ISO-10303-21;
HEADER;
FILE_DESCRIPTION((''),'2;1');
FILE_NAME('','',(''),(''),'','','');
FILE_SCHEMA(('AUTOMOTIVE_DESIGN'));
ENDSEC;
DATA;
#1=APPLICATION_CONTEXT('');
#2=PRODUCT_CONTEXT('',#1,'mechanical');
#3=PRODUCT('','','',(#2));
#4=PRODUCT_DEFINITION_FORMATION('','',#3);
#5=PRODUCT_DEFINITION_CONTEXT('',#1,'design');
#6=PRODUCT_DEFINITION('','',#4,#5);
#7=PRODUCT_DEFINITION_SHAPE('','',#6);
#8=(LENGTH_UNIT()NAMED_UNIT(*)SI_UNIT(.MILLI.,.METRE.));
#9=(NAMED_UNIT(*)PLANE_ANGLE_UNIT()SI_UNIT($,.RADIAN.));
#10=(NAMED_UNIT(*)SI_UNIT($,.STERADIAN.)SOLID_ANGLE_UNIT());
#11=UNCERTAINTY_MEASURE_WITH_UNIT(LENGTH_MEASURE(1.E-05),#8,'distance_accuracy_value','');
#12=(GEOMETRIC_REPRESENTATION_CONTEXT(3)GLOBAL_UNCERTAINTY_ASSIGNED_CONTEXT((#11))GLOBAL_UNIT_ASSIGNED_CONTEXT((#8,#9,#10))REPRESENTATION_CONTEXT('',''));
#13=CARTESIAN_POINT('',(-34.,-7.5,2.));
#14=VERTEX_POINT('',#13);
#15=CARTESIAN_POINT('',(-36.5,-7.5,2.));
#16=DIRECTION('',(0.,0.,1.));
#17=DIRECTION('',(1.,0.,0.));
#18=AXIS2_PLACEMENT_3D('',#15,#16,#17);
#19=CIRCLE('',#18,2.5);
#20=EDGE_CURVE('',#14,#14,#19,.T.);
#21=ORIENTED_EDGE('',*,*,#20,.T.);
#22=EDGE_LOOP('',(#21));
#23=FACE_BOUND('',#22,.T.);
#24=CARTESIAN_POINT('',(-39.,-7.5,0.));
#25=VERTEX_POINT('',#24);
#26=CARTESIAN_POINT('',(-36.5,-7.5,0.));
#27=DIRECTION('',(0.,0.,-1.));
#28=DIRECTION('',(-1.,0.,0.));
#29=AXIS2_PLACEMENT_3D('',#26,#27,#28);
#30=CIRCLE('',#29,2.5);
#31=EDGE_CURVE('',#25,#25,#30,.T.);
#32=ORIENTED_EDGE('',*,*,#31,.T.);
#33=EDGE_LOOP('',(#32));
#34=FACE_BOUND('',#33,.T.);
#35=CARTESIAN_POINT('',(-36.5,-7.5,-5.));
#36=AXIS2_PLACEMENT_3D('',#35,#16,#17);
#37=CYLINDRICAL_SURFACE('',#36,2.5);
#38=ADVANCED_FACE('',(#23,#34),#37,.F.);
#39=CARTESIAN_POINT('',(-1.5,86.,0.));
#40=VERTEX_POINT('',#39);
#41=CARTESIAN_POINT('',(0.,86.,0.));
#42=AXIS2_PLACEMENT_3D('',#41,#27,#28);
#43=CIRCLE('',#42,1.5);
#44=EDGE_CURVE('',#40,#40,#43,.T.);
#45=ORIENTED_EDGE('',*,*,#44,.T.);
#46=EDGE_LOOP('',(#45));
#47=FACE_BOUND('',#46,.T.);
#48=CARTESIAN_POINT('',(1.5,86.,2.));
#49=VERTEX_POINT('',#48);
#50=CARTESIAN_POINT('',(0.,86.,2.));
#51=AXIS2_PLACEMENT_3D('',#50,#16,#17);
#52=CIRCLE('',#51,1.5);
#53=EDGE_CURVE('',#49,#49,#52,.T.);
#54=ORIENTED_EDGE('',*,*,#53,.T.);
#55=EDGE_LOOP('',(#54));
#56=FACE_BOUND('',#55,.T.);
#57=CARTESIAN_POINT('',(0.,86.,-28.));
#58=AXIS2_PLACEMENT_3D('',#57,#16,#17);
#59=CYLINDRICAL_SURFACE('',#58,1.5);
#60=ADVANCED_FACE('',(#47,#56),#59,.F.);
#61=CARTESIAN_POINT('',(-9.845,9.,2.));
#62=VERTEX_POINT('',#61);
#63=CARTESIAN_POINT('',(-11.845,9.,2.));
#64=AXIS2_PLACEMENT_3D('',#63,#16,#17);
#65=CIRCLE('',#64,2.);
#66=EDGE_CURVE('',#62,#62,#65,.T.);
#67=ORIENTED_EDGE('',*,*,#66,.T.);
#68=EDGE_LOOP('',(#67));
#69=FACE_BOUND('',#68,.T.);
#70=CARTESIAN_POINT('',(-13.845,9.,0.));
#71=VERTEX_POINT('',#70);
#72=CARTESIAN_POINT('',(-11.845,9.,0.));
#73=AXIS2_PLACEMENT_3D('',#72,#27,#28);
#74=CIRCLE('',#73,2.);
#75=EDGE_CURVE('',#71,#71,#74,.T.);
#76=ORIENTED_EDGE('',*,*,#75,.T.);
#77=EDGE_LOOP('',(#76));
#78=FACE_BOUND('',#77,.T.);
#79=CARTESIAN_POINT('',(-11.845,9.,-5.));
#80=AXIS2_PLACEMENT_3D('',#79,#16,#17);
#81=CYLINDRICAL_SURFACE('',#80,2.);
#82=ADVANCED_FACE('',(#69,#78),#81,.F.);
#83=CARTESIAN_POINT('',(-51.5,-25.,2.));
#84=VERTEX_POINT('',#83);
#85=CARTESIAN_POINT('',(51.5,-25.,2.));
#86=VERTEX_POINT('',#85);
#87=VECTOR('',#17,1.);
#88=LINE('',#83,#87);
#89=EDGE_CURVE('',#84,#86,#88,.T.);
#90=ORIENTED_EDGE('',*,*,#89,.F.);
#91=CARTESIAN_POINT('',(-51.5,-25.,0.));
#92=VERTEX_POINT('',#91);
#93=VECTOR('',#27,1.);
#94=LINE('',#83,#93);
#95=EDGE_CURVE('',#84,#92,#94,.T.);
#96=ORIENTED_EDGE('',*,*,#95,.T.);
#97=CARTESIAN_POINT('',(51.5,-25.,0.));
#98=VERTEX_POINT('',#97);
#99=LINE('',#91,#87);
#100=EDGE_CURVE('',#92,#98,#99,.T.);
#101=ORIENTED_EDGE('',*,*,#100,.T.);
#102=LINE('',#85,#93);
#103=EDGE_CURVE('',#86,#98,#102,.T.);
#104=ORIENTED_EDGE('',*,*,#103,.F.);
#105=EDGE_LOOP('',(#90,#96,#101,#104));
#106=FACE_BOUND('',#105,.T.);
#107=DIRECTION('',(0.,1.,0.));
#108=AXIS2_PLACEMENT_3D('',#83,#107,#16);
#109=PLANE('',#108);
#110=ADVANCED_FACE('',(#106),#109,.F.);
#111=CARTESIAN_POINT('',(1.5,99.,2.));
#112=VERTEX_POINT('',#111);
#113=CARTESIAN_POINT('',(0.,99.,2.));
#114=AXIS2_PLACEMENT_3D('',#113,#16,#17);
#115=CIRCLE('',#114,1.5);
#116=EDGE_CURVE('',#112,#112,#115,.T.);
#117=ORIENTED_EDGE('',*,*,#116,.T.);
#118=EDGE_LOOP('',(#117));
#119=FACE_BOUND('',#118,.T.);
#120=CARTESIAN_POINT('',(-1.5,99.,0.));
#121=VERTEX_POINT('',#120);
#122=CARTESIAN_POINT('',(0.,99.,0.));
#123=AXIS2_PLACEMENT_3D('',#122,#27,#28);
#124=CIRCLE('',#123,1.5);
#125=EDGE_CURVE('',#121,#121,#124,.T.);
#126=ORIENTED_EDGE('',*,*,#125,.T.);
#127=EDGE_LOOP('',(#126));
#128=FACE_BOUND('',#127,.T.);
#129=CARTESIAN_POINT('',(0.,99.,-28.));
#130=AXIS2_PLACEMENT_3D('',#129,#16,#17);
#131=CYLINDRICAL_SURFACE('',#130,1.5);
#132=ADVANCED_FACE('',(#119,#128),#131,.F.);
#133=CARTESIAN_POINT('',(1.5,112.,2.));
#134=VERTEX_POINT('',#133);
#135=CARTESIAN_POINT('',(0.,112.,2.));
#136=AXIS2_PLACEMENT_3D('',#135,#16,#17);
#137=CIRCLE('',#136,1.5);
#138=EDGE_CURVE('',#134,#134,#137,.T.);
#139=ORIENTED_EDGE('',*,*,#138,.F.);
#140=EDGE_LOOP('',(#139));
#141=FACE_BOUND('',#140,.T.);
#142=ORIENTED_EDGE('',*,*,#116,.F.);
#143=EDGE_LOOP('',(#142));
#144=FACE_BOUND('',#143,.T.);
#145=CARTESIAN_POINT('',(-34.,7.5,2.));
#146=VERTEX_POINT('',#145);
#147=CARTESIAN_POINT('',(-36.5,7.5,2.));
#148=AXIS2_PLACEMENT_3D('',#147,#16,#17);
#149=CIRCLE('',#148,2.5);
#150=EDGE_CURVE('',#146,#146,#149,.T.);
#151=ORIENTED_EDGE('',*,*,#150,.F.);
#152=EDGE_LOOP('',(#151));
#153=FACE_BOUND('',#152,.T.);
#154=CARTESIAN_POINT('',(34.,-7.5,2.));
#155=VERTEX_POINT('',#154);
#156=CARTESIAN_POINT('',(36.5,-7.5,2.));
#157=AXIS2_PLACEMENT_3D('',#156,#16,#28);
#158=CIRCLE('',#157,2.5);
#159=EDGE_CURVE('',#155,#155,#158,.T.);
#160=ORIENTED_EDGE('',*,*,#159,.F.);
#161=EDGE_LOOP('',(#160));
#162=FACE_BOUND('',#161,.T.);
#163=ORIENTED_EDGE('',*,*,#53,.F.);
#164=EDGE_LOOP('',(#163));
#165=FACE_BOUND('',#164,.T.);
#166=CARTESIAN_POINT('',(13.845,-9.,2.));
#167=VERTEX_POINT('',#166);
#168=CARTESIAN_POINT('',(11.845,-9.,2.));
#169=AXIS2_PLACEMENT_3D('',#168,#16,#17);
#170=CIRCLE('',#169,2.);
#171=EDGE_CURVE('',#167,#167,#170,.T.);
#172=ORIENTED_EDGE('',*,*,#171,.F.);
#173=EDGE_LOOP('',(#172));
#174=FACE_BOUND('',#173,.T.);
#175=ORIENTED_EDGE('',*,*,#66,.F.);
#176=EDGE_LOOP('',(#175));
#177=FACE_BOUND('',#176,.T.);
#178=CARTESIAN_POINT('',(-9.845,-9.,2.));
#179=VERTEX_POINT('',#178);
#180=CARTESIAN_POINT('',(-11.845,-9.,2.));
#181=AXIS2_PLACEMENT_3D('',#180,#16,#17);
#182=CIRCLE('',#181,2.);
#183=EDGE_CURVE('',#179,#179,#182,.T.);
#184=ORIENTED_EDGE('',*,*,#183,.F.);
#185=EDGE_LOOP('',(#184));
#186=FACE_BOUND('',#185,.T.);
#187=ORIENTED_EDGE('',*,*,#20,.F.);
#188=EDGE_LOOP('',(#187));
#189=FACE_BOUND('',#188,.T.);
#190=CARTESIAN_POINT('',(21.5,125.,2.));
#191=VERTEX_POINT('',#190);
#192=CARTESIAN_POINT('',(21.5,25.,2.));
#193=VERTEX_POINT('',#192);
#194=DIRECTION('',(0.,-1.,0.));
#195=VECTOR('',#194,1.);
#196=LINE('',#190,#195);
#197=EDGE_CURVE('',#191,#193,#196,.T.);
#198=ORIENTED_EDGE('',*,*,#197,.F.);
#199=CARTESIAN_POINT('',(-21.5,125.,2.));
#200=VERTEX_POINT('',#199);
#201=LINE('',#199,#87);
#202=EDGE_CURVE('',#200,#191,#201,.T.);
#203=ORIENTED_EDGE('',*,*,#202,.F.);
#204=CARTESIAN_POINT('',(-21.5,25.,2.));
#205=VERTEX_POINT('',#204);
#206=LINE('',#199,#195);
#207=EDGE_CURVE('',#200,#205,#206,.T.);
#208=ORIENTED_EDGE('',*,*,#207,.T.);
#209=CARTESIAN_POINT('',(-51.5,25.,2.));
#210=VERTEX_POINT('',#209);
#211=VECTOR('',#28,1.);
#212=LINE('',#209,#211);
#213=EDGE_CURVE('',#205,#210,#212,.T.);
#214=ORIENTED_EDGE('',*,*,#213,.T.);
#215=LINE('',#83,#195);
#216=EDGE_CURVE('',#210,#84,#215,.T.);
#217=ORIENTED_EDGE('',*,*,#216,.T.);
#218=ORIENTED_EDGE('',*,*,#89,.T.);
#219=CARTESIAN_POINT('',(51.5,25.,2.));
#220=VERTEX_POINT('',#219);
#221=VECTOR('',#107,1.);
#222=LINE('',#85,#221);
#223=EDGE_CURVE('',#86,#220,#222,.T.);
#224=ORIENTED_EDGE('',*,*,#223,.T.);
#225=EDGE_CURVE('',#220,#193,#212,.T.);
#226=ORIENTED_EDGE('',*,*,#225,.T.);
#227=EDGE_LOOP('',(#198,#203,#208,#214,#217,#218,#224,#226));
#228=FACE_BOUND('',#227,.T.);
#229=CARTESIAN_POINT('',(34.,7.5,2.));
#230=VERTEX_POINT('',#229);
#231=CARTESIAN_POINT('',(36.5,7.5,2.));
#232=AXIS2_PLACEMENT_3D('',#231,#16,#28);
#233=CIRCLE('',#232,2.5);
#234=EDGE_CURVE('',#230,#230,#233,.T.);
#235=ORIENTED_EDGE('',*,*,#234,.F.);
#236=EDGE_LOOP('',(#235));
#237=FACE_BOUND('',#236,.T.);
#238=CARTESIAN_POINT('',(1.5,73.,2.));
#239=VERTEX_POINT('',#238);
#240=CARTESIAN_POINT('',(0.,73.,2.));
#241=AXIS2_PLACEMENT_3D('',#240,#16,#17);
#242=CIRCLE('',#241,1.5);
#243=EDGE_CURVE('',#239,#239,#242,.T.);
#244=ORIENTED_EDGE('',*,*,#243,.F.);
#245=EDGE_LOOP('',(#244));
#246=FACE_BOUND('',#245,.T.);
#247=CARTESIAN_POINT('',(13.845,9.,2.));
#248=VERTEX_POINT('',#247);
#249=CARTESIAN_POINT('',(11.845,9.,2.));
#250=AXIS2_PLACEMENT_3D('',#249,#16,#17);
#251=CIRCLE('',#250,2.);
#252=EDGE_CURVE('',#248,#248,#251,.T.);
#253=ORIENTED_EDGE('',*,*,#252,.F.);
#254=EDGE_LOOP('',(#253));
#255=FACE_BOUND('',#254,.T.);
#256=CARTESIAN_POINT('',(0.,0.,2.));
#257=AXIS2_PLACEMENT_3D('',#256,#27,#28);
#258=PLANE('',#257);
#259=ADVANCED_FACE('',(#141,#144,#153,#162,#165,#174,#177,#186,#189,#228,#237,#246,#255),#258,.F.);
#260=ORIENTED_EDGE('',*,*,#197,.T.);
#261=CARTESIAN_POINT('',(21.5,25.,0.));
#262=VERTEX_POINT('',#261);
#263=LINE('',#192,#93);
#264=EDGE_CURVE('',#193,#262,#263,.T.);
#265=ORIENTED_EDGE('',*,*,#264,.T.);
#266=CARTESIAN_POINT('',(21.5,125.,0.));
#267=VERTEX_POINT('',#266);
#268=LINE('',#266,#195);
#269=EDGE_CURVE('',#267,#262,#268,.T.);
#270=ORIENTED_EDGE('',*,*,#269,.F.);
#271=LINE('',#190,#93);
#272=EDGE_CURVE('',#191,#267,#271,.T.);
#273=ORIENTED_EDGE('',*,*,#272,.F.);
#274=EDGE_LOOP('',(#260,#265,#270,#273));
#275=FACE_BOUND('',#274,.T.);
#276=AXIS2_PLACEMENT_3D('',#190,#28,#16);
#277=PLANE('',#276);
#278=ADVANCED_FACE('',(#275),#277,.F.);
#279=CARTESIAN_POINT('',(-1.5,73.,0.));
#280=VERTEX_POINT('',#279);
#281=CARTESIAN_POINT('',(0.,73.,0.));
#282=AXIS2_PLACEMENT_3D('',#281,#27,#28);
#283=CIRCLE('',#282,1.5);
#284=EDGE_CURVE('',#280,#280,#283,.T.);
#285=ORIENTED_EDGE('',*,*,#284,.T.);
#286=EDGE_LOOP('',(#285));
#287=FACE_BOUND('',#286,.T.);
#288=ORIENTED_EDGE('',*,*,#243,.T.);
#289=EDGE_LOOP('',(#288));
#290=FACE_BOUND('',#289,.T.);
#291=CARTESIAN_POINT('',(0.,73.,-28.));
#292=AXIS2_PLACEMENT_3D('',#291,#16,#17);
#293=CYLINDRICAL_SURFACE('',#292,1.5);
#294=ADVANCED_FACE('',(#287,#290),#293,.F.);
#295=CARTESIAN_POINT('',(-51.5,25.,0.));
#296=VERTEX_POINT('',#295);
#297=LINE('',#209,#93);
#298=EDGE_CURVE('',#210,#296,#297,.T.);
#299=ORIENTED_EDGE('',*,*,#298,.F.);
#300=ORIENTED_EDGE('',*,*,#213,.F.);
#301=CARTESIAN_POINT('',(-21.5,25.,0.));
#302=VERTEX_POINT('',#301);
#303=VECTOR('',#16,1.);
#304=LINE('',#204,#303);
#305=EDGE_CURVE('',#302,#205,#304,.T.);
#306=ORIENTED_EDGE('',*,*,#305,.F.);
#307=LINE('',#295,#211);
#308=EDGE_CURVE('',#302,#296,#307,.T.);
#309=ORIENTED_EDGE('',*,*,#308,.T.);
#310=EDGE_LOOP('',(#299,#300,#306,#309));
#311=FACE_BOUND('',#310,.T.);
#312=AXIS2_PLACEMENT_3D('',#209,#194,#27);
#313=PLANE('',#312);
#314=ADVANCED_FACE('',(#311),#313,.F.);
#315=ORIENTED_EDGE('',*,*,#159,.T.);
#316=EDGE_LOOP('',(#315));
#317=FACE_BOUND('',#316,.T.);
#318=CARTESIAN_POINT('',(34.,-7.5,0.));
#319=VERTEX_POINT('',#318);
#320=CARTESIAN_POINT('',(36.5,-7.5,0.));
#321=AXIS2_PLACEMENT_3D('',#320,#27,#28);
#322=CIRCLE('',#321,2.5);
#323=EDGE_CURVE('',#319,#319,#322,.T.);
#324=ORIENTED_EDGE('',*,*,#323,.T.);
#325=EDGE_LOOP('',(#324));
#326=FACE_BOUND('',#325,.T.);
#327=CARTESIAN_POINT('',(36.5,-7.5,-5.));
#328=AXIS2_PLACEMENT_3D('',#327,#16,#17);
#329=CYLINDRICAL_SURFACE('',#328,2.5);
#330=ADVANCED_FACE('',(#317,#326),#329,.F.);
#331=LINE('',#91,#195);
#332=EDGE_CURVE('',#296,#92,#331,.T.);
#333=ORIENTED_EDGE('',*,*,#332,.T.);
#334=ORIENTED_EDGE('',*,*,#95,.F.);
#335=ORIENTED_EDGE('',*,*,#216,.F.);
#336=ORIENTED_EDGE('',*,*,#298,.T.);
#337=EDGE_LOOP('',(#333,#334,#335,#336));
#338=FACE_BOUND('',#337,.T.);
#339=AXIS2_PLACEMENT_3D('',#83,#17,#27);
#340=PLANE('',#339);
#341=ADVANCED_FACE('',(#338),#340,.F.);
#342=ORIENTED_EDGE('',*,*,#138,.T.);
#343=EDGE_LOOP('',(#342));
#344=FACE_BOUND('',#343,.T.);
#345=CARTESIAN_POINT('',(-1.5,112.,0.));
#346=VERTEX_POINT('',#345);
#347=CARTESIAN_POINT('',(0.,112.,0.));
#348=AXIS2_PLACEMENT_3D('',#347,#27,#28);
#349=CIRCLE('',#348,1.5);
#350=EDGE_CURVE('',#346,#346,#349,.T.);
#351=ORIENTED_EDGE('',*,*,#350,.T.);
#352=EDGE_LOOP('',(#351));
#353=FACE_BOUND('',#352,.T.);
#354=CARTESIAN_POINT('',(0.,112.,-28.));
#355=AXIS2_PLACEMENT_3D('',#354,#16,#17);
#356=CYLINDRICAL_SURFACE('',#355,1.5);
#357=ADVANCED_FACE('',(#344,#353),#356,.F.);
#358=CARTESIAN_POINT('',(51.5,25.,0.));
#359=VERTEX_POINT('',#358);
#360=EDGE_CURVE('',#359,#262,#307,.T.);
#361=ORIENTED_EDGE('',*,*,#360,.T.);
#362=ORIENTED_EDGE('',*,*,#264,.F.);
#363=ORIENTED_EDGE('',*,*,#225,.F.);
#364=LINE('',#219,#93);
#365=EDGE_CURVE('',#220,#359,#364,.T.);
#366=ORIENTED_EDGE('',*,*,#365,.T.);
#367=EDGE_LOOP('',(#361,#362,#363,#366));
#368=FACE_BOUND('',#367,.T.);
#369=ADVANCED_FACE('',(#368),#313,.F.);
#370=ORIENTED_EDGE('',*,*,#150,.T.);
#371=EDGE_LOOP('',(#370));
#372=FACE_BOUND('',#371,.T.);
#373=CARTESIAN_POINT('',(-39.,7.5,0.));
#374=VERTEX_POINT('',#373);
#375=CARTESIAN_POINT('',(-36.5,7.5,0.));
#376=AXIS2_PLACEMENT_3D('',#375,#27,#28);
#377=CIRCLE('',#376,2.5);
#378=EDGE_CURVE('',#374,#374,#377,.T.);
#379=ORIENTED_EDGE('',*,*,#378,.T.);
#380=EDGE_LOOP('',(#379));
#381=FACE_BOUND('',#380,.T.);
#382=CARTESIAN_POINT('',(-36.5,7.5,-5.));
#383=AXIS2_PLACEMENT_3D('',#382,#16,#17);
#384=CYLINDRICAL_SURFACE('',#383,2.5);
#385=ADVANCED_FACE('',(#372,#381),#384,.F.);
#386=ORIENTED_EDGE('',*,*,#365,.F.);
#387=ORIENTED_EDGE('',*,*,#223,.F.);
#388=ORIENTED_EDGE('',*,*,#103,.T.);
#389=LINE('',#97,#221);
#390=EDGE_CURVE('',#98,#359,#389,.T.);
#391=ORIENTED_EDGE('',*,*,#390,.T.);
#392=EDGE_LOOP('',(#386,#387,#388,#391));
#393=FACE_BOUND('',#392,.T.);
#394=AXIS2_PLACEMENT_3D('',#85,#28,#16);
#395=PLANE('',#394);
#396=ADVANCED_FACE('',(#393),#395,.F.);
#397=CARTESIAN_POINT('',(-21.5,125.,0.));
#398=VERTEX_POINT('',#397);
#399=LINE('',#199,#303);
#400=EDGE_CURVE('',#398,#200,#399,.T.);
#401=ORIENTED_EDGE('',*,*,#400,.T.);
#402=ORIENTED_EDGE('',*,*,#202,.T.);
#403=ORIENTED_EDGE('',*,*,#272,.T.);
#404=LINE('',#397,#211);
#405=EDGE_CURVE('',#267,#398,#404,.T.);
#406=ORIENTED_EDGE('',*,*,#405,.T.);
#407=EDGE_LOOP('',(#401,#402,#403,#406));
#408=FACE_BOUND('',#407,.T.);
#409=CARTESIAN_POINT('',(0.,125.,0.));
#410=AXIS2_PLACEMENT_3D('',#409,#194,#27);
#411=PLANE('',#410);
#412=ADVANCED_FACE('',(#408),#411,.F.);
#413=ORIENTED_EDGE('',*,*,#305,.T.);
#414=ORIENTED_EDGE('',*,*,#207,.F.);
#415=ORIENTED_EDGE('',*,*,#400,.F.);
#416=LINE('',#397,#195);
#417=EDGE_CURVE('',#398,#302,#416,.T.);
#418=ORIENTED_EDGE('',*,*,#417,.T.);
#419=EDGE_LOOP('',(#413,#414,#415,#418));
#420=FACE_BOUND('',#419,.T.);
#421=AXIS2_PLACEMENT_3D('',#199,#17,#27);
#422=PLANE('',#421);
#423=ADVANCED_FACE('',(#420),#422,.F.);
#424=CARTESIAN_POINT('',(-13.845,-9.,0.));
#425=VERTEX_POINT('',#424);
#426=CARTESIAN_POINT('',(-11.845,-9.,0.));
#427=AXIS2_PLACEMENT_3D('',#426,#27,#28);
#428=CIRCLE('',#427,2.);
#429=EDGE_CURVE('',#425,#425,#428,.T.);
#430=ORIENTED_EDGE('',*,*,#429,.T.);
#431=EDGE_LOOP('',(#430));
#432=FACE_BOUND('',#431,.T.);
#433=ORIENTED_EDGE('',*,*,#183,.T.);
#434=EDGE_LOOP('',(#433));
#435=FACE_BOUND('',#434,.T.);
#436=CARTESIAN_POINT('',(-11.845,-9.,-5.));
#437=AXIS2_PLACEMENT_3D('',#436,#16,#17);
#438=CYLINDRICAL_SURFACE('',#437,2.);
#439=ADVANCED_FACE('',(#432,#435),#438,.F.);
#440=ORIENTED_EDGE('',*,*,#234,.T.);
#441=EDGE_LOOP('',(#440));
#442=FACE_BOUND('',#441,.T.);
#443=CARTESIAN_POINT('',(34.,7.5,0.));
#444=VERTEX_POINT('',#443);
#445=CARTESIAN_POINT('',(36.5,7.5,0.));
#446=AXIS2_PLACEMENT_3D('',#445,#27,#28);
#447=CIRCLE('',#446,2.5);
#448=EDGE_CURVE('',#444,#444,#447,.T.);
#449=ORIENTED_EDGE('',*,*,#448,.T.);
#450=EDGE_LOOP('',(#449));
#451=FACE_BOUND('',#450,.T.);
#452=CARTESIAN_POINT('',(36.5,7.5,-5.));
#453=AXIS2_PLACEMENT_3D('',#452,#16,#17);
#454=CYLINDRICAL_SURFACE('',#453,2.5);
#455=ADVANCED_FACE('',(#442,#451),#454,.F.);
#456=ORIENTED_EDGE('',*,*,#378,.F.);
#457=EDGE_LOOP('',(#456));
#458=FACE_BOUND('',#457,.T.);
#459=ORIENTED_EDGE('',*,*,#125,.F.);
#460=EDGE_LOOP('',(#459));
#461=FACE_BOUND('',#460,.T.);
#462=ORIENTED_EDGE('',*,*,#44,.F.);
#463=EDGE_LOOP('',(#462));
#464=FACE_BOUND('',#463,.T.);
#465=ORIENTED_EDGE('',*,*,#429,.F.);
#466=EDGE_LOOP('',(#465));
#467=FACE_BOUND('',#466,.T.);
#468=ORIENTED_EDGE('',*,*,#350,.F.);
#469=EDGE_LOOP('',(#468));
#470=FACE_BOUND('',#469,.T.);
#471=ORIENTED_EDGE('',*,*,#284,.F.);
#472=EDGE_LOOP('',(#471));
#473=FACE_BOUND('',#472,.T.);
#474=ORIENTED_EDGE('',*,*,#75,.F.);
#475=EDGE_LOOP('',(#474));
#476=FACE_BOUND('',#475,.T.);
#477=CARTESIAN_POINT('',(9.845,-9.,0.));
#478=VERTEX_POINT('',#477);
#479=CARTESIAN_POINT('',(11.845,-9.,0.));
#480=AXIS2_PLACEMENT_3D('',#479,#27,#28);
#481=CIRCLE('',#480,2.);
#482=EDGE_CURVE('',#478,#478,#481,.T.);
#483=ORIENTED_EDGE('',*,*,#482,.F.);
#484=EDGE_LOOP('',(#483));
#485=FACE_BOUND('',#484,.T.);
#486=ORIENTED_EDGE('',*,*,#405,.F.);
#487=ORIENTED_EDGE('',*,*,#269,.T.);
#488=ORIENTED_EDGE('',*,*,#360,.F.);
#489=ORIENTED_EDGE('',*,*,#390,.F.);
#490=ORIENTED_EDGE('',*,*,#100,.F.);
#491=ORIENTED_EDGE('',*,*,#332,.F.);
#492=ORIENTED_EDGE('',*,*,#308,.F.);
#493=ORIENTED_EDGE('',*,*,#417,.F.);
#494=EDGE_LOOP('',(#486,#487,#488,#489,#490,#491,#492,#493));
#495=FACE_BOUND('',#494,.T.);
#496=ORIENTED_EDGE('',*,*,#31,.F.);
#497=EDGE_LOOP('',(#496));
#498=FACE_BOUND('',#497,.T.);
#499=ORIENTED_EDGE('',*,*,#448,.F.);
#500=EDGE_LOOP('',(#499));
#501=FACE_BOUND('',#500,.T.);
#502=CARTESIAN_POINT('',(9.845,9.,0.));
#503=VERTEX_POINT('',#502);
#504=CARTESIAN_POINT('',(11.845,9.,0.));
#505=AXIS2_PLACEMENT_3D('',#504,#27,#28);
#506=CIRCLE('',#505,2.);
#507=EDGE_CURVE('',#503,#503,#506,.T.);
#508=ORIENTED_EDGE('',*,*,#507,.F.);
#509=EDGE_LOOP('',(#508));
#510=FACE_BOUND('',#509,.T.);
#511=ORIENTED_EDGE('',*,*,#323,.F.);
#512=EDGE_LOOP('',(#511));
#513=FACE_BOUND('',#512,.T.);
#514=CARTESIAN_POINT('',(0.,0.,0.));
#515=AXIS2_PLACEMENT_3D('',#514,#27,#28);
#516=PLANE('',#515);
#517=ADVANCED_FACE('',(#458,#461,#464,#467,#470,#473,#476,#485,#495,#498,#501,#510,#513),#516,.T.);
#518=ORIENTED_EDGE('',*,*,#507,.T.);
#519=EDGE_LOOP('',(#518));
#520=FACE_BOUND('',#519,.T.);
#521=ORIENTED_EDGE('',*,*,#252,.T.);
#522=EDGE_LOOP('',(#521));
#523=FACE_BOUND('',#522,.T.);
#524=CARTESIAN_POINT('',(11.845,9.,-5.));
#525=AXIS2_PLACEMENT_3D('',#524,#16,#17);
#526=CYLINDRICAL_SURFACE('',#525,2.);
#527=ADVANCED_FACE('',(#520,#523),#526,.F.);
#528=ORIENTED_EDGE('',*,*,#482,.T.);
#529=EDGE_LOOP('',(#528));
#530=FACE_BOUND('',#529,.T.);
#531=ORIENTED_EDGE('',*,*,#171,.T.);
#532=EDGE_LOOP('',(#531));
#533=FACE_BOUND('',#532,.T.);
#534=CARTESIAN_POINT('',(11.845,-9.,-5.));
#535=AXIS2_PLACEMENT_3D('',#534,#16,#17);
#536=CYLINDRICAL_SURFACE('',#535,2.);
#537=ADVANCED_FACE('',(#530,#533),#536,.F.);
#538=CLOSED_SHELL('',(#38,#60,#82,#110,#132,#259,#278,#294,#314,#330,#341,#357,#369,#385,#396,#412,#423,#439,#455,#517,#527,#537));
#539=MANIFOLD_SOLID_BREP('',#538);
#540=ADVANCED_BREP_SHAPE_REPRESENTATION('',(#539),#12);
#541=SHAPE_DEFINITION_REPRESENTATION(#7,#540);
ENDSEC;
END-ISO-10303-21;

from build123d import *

# Parameters (mm, degrees)
SKETCH1_W           = 103
SKETCH1_H           = 50
BOSS_EXTRUDE1_DEPTH = 2
SKETCH3_R           = 2
CUT_EXTRUDE1_DEPTH  = 7
SKETCH4_R           = 2.5
CUT_EXTRUDE2_DEPTH  = 7
SKETCH6_W           = 43
SKETCH6_H           = 2
BOSS_EXTRUDE3_DEPTH = 100
SKETCH7_R           = 1.5
CUT_EXTRUDE3_DEPTH  = 30


with BuildPart() as part:
    # Sketch1 → Boss-Extrude1 (new body)
    with BuildSketch(Plane.XY):
        Rectangle(SKETCH1_W, SKETCH1_H)
    extrude(amount=BOSS_EXTRUDE1_DEPTH)

    # Sketch3 → Cut-Extrude1 (cut)
    with BuildSketch(Plane.XY.offset(2)):
        with Locations((-11.845, 9)):
            Circle(SKETCH3_R)
        with Locations((-11.845, -9)):
            Circle(SKETCH3_R)
        with Locations((11.845, -9)):
            Circle(SKETCH3_R)
        with Locations((11.845, 9)):
            Circle(SKETCH3_R)
    extrude(amount=-CUT_EXTRUDE1_DEPTH, mode=Mode.SUBTRACT)

    # Sketch4 → Cut-Extrude2 (cut)
    with BuildSketch(Plane.XY.offset(2)):
        with Locations((-36.5, 7.5)):
            Circle(SKETCH4_R)
        with Locations((-36.5, -7.5)):
            Circle(SKETCH4_R)
        with Locations(Location((36.5, -7.5, 0), (0, 0, 180))):
            Circle(SKETCH4_R)
        with Locations(Location((36.5, 7.5, 0), (0, 0, 180))):
            Circle(SKETCH4_R)
    extrude(amount=-CUT_EXTRUDE2_DEPTH, mode=Mode.SUBTRACT)

    # Sketch6 → Boss-Extrude3 (add)
    with BuildSketch(Plane(origin=(0, 25, 0), x_dir=(1, 0, 0), z_dir=(0, 1, 0))):
        with Locations((0, -1)):
            Rectangle(SKETCH6_W, SKETCH6_H)
    extrude(amount=BOSS_EXTRUDE3_DEPTH)

    # Sketch7 → Cut-Extrude3 (cut)
    with BuildSketch(Plane.XY.offset(2)):
        with Locations((0, 112)):
            Circle(SKETCH7_R)
        with Locations((0, 99)):
            Circle(SKETCH7_R)
        with Locations((0, 86)):
            Circle(SKETCH7_R)
        with Locations((0, 73)):
            Circle(SKETCH7_R)
    extrude(amount=-CUT_EXTRUDE3_DEPTH, mode=Mode.SUBTRACT)


solid = part.part
